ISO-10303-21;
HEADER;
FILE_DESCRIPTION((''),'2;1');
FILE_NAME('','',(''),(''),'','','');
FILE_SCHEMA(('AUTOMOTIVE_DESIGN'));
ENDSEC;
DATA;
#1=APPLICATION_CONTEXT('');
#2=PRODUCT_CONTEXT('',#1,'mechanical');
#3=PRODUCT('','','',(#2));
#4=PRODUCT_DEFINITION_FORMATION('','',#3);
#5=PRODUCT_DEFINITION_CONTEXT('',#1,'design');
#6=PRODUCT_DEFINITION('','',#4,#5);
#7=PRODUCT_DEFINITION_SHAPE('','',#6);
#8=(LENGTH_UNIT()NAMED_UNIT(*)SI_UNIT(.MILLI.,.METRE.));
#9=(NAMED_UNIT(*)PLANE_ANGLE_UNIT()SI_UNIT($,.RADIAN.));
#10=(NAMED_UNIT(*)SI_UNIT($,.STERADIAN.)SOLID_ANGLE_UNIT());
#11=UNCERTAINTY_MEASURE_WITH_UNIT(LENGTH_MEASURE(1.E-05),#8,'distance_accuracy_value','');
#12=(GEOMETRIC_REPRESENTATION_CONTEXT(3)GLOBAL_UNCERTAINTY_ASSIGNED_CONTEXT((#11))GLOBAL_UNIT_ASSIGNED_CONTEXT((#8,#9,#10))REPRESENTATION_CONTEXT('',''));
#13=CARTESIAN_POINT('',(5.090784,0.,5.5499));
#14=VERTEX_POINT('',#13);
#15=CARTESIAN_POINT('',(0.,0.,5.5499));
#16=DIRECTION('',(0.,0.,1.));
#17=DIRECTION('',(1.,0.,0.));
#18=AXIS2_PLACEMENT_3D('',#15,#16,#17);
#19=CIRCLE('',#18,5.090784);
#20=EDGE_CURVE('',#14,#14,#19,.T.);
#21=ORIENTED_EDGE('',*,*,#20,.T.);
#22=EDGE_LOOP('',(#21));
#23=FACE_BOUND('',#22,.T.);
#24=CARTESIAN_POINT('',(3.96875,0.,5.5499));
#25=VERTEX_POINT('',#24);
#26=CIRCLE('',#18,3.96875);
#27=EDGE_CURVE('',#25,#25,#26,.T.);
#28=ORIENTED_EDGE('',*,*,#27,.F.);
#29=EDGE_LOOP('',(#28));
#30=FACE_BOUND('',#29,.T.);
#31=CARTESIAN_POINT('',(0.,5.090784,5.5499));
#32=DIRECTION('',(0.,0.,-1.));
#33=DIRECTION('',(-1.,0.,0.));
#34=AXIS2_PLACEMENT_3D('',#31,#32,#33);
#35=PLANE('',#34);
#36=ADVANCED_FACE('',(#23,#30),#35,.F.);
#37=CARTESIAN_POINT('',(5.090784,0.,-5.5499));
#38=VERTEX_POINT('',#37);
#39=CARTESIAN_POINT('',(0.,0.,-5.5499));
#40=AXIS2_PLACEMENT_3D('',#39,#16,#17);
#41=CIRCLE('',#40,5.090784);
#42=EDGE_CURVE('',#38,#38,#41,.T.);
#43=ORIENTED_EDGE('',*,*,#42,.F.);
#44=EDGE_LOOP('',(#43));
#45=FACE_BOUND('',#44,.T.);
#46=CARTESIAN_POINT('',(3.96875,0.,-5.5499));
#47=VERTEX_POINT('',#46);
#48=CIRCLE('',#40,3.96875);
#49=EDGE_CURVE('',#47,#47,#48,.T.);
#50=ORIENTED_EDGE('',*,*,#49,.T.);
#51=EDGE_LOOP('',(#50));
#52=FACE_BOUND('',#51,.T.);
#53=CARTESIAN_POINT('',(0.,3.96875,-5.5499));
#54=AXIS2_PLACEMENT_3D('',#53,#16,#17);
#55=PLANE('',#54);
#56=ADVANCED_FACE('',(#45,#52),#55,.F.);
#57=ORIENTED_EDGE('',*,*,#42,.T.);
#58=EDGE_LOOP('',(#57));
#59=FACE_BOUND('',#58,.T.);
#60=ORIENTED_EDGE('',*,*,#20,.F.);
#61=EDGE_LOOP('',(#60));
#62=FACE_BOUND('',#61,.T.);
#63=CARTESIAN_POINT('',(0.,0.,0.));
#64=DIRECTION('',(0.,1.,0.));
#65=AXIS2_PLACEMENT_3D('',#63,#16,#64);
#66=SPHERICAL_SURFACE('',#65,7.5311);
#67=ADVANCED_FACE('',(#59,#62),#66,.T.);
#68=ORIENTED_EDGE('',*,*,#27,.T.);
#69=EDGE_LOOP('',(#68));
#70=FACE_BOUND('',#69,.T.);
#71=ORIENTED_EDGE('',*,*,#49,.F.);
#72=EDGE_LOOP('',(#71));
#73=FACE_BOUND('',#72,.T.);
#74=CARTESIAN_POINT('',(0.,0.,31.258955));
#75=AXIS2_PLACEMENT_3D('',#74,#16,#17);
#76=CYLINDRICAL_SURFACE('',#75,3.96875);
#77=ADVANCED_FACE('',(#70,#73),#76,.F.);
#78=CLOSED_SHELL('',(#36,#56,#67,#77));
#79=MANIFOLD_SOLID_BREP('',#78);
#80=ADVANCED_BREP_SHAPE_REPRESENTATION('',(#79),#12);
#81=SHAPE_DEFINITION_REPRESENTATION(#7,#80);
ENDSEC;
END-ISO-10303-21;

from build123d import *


with BuildPart() as part:
    # Sketch1 → Revolve1 (revolve)
    with BuildSketch(Plane(origin=(0, 0, 0), x_dir=(0, 0, -1), z_dir=(1, 0, 0))):
        with BuildLine():
            Line((-5.5499, 5.090783555), (-5.5499, 3.96875))
            Line((-5.5499, 3.96875), (5.5499, 3.96875))
            Line((5.5499, 3.96875), (5.5499, 5.090783555))
            ThreePointArc((5.5499, 5.090783555), (0, 7.5311), (-5.5499, 5.090783555))
        make_face()
    revolve(axis=Axis((0, 0, 31.258955331), (0, 0, -1)))


solid = part.part
